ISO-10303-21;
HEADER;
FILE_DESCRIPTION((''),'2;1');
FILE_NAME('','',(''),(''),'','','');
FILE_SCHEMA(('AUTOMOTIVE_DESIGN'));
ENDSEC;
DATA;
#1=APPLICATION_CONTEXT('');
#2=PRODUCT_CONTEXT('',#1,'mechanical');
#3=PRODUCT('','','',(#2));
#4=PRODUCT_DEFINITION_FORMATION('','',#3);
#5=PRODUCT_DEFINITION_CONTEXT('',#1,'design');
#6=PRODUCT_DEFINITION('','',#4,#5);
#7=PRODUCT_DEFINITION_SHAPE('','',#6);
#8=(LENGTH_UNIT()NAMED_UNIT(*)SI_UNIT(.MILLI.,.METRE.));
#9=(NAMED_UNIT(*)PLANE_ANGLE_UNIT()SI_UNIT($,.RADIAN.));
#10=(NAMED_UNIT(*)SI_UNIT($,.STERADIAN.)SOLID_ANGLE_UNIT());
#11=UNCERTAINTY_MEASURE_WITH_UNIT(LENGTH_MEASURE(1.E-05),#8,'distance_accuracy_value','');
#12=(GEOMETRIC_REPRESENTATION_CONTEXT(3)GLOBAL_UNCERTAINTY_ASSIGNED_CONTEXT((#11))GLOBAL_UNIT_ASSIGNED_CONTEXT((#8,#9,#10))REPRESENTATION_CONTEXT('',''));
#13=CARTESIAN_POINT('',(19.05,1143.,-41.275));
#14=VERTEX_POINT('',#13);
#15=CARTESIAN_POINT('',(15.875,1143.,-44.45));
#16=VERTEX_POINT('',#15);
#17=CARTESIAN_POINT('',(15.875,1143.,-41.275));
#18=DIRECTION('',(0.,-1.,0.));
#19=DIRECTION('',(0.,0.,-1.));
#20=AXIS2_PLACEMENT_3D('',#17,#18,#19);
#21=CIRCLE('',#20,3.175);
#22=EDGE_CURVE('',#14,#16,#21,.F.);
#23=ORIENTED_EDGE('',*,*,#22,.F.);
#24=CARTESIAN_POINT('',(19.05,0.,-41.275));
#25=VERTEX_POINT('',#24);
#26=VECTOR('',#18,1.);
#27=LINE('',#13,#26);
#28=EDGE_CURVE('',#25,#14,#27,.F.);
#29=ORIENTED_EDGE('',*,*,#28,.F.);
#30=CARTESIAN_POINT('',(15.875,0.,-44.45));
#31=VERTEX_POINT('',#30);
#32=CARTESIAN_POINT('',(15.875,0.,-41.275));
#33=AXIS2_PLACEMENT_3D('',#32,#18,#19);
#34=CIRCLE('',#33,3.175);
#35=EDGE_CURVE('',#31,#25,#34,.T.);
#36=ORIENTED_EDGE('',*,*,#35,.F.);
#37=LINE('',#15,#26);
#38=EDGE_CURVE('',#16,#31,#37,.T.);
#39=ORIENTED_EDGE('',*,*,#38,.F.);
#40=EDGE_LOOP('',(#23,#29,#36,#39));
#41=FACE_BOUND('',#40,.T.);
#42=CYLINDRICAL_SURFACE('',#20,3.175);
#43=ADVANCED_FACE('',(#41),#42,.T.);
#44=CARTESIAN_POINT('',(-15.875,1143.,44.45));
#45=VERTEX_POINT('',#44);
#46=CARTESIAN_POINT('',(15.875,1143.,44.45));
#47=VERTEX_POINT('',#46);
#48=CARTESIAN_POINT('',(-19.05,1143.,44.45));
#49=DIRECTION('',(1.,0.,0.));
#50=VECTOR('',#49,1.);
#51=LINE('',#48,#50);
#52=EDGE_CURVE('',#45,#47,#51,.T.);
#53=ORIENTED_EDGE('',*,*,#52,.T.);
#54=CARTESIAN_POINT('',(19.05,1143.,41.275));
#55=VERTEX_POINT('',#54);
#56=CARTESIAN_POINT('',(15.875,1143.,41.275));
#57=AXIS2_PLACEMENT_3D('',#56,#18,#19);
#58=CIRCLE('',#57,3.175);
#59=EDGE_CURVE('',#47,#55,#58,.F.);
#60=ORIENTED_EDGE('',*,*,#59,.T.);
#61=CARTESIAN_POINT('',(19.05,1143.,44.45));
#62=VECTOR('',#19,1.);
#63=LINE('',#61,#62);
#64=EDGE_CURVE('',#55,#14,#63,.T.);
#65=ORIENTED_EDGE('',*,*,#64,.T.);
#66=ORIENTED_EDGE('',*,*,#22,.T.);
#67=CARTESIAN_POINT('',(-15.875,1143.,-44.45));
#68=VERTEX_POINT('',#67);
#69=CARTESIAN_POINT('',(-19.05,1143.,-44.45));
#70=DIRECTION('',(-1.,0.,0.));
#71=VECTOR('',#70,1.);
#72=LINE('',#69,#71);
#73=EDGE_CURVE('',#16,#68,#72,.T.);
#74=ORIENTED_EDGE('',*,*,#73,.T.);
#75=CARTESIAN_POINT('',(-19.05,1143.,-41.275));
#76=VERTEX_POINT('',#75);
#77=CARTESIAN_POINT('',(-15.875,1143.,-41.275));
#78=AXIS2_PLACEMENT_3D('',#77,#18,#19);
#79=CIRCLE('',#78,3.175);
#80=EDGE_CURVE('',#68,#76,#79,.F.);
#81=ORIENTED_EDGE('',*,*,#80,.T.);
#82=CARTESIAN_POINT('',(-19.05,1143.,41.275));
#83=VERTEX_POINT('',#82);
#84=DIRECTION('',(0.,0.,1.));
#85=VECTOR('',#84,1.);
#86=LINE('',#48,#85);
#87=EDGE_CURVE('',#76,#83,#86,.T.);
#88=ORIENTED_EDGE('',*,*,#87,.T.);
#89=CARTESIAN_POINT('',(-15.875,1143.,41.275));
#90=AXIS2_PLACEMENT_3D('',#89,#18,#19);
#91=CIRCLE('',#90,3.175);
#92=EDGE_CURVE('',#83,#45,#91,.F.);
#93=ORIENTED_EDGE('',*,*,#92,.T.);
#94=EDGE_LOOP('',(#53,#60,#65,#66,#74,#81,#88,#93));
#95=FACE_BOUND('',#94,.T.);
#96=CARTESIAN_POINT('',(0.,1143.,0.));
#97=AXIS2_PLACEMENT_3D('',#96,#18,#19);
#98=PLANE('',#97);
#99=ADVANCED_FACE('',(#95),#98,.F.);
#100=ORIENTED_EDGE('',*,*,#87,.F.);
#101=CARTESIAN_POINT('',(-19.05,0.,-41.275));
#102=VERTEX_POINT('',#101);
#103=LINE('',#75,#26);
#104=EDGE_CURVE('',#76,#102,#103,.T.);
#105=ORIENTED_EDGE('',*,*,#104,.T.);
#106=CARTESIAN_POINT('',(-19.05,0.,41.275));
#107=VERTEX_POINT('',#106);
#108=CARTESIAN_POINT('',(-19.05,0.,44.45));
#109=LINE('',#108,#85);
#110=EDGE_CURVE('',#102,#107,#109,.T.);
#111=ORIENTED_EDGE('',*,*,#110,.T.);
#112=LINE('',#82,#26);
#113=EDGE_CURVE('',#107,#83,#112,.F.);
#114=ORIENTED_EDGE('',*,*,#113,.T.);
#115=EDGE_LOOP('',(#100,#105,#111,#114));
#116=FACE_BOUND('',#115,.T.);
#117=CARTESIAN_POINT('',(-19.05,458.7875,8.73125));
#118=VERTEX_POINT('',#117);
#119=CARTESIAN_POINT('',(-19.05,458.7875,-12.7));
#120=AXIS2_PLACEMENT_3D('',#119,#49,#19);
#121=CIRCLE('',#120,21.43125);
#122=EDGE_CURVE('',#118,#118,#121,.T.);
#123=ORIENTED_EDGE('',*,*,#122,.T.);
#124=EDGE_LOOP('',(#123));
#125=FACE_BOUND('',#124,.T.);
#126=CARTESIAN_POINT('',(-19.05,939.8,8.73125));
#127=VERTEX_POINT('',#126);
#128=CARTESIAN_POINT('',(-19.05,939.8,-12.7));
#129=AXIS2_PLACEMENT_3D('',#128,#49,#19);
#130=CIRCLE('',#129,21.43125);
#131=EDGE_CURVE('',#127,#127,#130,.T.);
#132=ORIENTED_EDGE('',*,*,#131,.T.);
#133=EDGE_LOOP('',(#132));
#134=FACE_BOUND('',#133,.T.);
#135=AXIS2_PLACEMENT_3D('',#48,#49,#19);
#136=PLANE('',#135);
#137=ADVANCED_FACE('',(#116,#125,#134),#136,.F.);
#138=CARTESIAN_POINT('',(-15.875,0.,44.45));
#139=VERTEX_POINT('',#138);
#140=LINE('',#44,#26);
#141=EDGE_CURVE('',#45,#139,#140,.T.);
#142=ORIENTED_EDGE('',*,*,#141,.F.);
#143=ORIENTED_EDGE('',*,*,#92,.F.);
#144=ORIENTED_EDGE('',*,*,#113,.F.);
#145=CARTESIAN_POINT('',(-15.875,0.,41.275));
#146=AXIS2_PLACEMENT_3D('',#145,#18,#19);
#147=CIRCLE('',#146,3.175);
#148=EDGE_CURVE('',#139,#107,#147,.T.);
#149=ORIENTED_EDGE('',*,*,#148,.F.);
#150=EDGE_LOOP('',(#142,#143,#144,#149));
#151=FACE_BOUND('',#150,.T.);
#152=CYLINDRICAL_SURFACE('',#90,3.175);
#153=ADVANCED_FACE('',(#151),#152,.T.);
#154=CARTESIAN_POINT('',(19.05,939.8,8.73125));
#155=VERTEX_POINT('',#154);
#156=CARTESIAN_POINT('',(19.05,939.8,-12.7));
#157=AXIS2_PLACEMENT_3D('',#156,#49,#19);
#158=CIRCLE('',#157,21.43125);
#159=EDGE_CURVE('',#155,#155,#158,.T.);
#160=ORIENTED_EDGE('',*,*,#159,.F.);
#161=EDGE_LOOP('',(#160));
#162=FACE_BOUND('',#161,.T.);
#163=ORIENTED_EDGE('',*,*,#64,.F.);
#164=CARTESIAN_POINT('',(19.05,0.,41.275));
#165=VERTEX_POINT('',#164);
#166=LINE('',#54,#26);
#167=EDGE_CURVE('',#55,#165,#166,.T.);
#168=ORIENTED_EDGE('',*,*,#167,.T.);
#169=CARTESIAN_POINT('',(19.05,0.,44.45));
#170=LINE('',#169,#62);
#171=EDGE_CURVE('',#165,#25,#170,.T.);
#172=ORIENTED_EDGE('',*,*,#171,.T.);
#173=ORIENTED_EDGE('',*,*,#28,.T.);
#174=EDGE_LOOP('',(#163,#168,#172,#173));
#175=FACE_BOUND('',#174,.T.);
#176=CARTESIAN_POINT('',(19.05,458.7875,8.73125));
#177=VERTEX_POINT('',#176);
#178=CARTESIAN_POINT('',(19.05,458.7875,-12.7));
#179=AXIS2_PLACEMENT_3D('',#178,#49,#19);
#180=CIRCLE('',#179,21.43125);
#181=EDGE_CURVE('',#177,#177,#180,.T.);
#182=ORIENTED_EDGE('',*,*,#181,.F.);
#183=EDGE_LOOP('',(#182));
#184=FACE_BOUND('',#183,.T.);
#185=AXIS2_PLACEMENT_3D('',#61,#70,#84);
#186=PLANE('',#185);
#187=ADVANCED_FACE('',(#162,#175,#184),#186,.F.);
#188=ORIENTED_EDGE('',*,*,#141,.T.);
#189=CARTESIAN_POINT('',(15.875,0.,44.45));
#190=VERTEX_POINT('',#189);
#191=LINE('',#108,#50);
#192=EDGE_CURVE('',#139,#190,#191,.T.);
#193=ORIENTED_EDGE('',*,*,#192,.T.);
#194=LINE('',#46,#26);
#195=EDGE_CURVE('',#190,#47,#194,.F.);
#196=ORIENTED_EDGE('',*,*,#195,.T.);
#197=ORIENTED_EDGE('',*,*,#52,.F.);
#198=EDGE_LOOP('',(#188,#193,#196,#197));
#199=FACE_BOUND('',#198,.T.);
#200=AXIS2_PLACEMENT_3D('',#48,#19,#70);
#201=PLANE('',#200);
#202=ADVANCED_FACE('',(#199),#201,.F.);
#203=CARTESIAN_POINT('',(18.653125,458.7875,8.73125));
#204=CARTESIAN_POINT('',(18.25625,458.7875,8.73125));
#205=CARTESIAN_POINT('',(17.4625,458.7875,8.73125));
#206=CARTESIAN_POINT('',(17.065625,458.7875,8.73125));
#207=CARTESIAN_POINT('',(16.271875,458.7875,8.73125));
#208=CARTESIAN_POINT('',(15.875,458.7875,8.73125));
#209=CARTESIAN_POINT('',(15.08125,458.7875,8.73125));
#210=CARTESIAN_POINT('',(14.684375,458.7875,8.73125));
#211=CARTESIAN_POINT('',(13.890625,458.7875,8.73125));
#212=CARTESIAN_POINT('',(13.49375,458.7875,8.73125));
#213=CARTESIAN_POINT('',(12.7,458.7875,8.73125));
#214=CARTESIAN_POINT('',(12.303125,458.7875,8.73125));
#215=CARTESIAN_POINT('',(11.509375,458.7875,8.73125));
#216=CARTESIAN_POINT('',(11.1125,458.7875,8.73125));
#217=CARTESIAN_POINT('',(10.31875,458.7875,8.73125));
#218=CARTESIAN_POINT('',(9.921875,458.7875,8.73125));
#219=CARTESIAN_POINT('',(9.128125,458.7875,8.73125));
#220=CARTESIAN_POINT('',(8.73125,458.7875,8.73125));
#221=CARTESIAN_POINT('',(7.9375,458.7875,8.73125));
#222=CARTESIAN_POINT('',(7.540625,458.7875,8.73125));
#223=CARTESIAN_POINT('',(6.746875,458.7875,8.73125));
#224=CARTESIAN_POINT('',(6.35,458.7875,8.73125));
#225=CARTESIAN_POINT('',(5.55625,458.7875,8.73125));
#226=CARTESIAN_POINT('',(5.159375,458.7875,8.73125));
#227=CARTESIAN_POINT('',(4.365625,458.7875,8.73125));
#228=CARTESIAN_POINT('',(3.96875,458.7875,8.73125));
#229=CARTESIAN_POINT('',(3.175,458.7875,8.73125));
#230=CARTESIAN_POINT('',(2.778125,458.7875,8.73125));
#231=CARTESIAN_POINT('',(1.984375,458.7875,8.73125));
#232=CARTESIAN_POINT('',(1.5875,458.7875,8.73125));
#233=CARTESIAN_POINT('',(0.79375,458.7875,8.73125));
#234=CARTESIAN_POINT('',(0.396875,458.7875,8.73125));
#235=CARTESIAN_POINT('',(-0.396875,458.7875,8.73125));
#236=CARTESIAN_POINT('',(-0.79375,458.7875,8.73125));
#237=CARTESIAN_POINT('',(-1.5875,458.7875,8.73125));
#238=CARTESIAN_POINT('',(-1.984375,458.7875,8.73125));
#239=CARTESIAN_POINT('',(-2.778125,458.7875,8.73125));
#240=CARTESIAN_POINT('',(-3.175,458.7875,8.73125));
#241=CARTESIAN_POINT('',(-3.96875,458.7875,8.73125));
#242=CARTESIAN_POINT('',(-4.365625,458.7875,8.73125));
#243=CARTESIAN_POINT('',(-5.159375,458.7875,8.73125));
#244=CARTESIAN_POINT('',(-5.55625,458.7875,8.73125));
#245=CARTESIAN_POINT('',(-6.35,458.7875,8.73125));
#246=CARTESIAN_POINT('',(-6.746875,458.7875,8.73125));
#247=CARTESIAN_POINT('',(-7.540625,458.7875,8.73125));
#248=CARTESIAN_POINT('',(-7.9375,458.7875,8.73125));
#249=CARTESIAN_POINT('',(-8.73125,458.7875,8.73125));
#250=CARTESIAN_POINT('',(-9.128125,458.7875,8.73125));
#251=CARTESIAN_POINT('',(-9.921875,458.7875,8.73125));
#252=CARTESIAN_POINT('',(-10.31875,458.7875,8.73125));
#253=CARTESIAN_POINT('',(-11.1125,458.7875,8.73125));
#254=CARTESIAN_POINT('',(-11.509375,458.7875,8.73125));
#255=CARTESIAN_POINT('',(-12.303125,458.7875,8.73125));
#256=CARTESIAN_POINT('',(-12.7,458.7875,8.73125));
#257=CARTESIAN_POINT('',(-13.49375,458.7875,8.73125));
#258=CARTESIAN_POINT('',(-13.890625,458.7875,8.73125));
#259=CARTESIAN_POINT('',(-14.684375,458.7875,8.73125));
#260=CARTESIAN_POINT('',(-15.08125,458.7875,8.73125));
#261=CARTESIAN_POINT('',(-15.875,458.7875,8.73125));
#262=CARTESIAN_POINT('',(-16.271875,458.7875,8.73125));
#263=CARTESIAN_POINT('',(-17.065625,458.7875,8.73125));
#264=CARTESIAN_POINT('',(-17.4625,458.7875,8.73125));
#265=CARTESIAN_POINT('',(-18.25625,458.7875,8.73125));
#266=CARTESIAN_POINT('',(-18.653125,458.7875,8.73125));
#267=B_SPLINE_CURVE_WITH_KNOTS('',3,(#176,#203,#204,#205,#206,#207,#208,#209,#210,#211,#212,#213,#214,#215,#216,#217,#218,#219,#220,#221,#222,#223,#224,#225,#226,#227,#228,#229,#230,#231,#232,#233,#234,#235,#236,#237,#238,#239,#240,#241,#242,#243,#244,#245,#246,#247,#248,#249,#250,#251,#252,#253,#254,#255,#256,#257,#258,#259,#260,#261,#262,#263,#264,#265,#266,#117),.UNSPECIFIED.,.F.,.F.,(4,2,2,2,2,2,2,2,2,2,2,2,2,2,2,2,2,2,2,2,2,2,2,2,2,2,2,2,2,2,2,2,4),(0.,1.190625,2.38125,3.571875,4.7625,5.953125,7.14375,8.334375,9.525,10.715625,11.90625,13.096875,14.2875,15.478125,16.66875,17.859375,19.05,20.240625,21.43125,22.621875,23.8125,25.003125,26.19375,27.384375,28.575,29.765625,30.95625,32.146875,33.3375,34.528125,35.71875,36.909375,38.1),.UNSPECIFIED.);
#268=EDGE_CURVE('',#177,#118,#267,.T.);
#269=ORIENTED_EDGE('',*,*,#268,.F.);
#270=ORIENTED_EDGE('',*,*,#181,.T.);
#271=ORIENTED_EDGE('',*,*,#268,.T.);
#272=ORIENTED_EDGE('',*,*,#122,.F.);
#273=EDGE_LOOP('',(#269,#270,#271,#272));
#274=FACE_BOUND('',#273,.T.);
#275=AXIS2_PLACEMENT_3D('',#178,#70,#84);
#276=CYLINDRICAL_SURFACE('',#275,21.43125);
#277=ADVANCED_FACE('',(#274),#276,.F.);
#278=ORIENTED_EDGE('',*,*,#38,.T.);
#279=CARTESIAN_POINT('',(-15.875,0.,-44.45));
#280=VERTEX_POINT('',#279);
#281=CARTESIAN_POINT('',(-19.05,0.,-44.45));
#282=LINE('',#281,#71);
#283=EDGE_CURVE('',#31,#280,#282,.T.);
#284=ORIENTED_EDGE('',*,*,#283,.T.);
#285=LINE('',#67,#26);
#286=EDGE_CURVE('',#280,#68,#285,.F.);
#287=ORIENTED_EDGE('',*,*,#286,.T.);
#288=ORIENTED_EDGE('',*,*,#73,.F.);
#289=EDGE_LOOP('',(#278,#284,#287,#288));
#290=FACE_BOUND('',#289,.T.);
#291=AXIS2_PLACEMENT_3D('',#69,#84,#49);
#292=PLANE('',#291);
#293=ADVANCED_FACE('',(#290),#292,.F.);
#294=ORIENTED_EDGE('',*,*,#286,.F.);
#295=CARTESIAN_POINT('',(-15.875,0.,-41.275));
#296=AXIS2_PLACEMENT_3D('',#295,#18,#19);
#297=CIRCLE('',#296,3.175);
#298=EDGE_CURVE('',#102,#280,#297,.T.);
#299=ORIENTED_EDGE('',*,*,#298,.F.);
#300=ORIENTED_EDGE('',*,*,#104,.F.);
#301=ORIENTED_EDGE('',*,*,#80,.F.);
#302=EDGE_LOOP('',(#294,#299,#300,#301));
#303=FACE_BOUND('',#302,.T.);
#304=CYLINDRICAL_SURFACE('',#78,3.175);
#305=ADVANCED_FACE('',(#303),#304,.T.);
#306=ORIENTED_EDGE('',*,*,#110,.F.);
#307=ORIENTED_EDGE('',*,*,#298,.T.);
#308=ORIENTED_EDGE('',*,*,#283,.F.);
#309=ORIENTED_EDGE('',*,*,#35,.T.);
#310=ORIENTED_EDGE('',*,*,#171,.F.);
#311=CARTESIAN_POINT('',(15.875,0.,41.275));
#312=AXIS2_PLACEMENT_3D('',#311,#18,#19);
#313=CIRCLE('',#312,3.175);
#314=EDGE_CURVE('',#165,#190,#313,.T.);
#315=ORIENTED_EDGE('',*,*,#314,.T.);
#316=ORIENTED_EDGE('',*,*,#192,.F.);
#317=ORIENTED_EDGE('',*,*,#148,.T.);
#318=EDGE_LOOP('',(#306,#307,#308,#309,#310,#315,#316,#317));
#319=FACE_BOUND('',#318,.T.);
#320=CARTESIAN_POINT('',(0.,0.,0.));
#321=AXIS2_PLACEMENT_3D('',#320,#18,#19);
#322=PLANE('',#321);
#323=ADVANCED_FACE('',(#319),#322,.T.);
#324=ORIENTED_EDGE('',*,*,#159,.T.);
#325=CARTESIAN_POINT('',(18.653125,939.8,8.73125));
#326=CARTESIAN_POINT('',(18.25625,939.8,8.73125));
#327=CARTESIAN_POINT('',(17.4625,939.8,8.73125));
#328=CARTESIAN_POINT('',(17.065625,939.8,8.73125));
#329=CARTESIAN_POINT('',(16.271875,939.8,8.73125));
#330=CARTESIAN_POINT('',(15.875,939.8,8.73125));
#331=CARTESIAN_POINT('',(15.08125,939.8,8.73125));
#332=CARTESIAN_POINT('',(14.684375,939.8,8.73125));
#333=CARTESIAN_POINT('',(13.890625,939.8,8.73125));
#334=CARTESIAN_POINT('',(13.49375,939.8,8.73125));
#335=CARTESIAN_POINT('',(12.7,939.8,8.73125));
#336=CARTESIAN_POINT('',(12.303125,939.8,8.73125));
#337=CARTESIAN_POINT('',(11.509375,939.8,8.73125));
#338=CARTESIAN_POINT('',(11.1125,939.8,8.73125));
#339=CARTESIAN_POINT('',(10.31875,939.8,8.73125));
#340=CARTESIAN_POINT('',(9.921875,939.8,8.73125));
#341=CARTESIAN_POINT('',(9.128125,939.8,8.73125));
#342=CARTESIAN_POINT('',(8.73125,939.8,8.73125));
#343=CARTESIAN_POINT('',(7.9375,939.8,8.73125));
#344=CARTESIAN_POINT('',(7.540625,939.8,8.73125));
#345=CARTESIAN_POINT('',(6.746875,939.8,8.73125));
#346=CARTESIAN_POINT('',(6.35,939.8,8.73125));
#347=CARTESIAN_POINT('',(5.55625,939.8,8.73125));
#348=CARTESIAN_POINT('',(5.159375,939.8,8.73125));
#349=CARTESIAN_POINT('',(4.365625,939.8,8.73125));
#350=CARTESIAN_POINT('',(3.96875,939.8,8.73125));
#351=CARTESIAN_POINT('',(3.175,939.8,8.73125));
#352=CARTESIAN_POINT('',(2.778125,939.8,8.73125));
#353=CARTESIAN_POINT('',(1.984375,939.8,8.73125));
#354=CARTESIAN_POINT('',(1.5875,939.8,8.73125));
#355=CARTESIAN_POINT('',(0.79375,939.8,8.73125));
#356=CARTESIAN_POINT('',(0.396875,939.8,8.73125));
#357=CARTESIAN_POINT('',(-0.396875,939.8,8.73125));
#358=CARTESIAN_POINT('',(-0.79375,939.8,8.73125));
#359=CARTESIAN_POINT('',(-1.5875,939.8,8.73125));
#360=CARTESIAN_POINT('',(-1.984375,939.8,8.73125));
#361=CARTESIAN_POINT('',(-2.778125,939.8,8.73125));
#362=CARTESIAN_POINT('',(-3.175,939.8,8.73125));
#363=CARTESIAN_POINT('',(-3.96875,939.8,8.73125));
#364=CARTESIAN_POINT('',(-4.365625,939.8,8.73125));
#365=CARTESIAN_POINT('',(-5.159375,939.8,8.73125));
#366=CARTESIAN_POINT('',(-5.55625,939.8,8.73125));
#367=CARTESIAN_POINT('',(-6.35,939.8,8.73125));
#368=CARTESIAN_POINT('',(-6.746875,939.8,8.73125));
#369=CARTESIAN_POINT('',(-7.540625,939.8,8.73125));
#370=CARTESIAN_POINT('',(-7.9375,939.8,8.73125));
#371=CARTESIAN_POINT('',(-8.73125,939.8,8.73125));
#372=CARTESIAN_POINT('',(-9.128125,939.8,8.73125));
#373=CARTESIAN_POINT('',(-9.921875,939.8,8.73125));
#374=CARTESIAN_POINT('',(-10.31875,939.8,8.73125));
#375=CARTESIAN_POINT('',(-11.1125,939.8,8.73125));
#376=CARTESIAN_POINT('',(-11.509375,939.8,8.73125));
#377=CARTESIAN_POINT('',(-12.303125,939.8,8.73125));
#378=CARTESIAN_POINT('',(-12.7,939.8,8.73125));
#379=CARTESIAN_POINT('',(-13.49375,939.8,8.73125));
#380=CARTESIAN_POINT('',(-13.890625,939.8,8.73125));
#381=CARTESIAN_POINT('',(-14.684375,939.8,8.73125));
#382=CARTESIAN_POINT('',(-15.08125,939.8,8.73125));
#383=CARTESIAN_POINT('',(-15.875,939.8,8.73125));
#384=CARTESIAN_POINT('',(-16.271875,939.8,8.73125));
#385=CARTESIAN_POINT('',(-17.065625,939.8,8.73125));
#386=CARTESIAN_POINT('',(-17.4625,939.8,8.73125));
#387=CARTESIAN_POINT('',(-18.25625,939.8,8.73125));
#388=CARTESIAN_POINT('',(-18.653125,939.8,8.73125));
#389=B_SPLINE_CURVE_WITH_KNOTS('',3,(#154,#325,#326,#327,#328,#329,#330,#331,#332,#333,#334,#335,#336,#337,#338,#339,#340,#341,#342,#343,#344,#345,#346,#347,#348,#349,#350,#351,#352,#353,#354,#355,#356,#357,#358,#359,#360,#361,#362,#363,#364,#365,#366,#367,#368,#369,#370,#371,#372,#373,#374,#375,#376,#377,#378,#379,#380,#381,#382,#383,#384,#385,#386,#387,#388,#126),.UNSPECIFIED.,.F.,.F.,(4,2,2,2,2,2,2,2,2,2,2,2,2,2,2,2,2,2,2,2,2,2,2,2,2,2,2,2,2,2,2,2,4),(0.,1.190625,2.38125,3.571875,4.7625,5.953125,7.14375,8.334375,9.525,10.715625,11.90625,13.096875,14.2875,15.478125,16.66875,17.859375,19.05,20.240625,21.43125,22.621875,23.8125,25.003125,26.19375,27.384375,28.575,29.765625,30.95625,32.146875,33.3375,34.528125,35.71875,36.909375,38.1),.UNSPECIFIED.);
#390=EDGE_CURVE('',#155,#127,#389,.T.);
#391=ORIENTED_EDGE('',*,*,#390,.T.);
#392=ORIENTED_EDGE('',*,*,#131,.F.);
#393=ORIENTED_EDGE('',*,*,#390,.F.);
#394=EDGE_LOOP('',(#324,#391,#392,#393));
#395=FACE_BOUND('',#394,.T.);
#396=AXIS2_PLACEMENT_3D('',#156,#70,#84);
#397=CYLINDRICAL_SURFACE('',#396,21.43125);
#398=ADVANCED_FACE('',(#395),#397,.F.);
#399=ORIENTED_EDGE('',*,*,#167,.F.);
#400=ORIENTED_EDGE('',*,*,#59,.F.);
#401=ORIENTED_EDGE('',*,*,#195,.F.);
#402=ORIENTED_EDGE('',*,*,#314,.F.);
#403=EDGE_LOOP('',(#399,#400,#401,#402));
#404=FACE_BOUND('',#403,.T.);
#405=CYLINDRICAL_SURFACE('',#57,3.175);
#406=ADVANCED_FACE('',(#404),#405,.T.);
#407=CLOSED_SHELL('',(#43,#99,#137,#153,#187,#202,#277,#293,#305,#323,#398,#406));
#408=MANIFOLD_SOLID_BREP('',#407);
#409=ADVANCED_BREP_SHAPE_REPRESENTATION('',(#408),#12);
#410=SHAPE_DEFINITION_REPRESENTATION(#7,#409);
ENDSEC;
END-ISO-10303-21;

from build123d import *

# Parameters (mm, degrees)
SKETCH1_W           = 38.1
SKETCH1_H           = 88.9
BOSS_EXTRUDE1_DEPTH = 1143
SKETCH2_R           = 21.43125
CUT_EXTRUDE4_DEPTH  = 1145.498323502
FILLET1_R           = 3.175


with BuildPart() as part:
    # Sketch1 → Boss-Extrude1 (new body)
    with BuildSketch(Plane(origin=(0, 0, 0), x_dir=(1, 0, 0), z_dir=(0, 1, 0))):
        Rectangle(SKETCH1_W, SKETCH1_H)
    extrude(amount=BOSS_EXTRUDE1_DEPTH)

    # Sketch2 → Cut-Extrude4 (cut, through all)
    with BuildSketch(Plane(origin=(-19.05, 0, 0), x_dir=(0, 0, -1), z_dir=(1, 0, 0))):
        with Locations(Location((12.7, 458.7875, 0), (0, 0, 180))):
            Circle(SKETCH2_R)
        with Locations(Location((12.7, 939.8, 0), (0, 0, 180))):
            Circle(SKETCH2_R)
    extrude(amount=CUT_EXTRUDE4_DEPTH, mode=Mode.SUBTRACT)

    # Fillet1
    fillet1_edges = [part.edges().sort_by_distance(p)[0] for p in [
        (19.05, 571.5, 44.45),
        (-19.05, 571.5, 44.45),
        (-19.05, 571.5, -44.45),
        (19.05, 571.5, -44.45),
    ]]
    fillet(fillet1_edges, radius=FILLET1_R)


solid = part.part
